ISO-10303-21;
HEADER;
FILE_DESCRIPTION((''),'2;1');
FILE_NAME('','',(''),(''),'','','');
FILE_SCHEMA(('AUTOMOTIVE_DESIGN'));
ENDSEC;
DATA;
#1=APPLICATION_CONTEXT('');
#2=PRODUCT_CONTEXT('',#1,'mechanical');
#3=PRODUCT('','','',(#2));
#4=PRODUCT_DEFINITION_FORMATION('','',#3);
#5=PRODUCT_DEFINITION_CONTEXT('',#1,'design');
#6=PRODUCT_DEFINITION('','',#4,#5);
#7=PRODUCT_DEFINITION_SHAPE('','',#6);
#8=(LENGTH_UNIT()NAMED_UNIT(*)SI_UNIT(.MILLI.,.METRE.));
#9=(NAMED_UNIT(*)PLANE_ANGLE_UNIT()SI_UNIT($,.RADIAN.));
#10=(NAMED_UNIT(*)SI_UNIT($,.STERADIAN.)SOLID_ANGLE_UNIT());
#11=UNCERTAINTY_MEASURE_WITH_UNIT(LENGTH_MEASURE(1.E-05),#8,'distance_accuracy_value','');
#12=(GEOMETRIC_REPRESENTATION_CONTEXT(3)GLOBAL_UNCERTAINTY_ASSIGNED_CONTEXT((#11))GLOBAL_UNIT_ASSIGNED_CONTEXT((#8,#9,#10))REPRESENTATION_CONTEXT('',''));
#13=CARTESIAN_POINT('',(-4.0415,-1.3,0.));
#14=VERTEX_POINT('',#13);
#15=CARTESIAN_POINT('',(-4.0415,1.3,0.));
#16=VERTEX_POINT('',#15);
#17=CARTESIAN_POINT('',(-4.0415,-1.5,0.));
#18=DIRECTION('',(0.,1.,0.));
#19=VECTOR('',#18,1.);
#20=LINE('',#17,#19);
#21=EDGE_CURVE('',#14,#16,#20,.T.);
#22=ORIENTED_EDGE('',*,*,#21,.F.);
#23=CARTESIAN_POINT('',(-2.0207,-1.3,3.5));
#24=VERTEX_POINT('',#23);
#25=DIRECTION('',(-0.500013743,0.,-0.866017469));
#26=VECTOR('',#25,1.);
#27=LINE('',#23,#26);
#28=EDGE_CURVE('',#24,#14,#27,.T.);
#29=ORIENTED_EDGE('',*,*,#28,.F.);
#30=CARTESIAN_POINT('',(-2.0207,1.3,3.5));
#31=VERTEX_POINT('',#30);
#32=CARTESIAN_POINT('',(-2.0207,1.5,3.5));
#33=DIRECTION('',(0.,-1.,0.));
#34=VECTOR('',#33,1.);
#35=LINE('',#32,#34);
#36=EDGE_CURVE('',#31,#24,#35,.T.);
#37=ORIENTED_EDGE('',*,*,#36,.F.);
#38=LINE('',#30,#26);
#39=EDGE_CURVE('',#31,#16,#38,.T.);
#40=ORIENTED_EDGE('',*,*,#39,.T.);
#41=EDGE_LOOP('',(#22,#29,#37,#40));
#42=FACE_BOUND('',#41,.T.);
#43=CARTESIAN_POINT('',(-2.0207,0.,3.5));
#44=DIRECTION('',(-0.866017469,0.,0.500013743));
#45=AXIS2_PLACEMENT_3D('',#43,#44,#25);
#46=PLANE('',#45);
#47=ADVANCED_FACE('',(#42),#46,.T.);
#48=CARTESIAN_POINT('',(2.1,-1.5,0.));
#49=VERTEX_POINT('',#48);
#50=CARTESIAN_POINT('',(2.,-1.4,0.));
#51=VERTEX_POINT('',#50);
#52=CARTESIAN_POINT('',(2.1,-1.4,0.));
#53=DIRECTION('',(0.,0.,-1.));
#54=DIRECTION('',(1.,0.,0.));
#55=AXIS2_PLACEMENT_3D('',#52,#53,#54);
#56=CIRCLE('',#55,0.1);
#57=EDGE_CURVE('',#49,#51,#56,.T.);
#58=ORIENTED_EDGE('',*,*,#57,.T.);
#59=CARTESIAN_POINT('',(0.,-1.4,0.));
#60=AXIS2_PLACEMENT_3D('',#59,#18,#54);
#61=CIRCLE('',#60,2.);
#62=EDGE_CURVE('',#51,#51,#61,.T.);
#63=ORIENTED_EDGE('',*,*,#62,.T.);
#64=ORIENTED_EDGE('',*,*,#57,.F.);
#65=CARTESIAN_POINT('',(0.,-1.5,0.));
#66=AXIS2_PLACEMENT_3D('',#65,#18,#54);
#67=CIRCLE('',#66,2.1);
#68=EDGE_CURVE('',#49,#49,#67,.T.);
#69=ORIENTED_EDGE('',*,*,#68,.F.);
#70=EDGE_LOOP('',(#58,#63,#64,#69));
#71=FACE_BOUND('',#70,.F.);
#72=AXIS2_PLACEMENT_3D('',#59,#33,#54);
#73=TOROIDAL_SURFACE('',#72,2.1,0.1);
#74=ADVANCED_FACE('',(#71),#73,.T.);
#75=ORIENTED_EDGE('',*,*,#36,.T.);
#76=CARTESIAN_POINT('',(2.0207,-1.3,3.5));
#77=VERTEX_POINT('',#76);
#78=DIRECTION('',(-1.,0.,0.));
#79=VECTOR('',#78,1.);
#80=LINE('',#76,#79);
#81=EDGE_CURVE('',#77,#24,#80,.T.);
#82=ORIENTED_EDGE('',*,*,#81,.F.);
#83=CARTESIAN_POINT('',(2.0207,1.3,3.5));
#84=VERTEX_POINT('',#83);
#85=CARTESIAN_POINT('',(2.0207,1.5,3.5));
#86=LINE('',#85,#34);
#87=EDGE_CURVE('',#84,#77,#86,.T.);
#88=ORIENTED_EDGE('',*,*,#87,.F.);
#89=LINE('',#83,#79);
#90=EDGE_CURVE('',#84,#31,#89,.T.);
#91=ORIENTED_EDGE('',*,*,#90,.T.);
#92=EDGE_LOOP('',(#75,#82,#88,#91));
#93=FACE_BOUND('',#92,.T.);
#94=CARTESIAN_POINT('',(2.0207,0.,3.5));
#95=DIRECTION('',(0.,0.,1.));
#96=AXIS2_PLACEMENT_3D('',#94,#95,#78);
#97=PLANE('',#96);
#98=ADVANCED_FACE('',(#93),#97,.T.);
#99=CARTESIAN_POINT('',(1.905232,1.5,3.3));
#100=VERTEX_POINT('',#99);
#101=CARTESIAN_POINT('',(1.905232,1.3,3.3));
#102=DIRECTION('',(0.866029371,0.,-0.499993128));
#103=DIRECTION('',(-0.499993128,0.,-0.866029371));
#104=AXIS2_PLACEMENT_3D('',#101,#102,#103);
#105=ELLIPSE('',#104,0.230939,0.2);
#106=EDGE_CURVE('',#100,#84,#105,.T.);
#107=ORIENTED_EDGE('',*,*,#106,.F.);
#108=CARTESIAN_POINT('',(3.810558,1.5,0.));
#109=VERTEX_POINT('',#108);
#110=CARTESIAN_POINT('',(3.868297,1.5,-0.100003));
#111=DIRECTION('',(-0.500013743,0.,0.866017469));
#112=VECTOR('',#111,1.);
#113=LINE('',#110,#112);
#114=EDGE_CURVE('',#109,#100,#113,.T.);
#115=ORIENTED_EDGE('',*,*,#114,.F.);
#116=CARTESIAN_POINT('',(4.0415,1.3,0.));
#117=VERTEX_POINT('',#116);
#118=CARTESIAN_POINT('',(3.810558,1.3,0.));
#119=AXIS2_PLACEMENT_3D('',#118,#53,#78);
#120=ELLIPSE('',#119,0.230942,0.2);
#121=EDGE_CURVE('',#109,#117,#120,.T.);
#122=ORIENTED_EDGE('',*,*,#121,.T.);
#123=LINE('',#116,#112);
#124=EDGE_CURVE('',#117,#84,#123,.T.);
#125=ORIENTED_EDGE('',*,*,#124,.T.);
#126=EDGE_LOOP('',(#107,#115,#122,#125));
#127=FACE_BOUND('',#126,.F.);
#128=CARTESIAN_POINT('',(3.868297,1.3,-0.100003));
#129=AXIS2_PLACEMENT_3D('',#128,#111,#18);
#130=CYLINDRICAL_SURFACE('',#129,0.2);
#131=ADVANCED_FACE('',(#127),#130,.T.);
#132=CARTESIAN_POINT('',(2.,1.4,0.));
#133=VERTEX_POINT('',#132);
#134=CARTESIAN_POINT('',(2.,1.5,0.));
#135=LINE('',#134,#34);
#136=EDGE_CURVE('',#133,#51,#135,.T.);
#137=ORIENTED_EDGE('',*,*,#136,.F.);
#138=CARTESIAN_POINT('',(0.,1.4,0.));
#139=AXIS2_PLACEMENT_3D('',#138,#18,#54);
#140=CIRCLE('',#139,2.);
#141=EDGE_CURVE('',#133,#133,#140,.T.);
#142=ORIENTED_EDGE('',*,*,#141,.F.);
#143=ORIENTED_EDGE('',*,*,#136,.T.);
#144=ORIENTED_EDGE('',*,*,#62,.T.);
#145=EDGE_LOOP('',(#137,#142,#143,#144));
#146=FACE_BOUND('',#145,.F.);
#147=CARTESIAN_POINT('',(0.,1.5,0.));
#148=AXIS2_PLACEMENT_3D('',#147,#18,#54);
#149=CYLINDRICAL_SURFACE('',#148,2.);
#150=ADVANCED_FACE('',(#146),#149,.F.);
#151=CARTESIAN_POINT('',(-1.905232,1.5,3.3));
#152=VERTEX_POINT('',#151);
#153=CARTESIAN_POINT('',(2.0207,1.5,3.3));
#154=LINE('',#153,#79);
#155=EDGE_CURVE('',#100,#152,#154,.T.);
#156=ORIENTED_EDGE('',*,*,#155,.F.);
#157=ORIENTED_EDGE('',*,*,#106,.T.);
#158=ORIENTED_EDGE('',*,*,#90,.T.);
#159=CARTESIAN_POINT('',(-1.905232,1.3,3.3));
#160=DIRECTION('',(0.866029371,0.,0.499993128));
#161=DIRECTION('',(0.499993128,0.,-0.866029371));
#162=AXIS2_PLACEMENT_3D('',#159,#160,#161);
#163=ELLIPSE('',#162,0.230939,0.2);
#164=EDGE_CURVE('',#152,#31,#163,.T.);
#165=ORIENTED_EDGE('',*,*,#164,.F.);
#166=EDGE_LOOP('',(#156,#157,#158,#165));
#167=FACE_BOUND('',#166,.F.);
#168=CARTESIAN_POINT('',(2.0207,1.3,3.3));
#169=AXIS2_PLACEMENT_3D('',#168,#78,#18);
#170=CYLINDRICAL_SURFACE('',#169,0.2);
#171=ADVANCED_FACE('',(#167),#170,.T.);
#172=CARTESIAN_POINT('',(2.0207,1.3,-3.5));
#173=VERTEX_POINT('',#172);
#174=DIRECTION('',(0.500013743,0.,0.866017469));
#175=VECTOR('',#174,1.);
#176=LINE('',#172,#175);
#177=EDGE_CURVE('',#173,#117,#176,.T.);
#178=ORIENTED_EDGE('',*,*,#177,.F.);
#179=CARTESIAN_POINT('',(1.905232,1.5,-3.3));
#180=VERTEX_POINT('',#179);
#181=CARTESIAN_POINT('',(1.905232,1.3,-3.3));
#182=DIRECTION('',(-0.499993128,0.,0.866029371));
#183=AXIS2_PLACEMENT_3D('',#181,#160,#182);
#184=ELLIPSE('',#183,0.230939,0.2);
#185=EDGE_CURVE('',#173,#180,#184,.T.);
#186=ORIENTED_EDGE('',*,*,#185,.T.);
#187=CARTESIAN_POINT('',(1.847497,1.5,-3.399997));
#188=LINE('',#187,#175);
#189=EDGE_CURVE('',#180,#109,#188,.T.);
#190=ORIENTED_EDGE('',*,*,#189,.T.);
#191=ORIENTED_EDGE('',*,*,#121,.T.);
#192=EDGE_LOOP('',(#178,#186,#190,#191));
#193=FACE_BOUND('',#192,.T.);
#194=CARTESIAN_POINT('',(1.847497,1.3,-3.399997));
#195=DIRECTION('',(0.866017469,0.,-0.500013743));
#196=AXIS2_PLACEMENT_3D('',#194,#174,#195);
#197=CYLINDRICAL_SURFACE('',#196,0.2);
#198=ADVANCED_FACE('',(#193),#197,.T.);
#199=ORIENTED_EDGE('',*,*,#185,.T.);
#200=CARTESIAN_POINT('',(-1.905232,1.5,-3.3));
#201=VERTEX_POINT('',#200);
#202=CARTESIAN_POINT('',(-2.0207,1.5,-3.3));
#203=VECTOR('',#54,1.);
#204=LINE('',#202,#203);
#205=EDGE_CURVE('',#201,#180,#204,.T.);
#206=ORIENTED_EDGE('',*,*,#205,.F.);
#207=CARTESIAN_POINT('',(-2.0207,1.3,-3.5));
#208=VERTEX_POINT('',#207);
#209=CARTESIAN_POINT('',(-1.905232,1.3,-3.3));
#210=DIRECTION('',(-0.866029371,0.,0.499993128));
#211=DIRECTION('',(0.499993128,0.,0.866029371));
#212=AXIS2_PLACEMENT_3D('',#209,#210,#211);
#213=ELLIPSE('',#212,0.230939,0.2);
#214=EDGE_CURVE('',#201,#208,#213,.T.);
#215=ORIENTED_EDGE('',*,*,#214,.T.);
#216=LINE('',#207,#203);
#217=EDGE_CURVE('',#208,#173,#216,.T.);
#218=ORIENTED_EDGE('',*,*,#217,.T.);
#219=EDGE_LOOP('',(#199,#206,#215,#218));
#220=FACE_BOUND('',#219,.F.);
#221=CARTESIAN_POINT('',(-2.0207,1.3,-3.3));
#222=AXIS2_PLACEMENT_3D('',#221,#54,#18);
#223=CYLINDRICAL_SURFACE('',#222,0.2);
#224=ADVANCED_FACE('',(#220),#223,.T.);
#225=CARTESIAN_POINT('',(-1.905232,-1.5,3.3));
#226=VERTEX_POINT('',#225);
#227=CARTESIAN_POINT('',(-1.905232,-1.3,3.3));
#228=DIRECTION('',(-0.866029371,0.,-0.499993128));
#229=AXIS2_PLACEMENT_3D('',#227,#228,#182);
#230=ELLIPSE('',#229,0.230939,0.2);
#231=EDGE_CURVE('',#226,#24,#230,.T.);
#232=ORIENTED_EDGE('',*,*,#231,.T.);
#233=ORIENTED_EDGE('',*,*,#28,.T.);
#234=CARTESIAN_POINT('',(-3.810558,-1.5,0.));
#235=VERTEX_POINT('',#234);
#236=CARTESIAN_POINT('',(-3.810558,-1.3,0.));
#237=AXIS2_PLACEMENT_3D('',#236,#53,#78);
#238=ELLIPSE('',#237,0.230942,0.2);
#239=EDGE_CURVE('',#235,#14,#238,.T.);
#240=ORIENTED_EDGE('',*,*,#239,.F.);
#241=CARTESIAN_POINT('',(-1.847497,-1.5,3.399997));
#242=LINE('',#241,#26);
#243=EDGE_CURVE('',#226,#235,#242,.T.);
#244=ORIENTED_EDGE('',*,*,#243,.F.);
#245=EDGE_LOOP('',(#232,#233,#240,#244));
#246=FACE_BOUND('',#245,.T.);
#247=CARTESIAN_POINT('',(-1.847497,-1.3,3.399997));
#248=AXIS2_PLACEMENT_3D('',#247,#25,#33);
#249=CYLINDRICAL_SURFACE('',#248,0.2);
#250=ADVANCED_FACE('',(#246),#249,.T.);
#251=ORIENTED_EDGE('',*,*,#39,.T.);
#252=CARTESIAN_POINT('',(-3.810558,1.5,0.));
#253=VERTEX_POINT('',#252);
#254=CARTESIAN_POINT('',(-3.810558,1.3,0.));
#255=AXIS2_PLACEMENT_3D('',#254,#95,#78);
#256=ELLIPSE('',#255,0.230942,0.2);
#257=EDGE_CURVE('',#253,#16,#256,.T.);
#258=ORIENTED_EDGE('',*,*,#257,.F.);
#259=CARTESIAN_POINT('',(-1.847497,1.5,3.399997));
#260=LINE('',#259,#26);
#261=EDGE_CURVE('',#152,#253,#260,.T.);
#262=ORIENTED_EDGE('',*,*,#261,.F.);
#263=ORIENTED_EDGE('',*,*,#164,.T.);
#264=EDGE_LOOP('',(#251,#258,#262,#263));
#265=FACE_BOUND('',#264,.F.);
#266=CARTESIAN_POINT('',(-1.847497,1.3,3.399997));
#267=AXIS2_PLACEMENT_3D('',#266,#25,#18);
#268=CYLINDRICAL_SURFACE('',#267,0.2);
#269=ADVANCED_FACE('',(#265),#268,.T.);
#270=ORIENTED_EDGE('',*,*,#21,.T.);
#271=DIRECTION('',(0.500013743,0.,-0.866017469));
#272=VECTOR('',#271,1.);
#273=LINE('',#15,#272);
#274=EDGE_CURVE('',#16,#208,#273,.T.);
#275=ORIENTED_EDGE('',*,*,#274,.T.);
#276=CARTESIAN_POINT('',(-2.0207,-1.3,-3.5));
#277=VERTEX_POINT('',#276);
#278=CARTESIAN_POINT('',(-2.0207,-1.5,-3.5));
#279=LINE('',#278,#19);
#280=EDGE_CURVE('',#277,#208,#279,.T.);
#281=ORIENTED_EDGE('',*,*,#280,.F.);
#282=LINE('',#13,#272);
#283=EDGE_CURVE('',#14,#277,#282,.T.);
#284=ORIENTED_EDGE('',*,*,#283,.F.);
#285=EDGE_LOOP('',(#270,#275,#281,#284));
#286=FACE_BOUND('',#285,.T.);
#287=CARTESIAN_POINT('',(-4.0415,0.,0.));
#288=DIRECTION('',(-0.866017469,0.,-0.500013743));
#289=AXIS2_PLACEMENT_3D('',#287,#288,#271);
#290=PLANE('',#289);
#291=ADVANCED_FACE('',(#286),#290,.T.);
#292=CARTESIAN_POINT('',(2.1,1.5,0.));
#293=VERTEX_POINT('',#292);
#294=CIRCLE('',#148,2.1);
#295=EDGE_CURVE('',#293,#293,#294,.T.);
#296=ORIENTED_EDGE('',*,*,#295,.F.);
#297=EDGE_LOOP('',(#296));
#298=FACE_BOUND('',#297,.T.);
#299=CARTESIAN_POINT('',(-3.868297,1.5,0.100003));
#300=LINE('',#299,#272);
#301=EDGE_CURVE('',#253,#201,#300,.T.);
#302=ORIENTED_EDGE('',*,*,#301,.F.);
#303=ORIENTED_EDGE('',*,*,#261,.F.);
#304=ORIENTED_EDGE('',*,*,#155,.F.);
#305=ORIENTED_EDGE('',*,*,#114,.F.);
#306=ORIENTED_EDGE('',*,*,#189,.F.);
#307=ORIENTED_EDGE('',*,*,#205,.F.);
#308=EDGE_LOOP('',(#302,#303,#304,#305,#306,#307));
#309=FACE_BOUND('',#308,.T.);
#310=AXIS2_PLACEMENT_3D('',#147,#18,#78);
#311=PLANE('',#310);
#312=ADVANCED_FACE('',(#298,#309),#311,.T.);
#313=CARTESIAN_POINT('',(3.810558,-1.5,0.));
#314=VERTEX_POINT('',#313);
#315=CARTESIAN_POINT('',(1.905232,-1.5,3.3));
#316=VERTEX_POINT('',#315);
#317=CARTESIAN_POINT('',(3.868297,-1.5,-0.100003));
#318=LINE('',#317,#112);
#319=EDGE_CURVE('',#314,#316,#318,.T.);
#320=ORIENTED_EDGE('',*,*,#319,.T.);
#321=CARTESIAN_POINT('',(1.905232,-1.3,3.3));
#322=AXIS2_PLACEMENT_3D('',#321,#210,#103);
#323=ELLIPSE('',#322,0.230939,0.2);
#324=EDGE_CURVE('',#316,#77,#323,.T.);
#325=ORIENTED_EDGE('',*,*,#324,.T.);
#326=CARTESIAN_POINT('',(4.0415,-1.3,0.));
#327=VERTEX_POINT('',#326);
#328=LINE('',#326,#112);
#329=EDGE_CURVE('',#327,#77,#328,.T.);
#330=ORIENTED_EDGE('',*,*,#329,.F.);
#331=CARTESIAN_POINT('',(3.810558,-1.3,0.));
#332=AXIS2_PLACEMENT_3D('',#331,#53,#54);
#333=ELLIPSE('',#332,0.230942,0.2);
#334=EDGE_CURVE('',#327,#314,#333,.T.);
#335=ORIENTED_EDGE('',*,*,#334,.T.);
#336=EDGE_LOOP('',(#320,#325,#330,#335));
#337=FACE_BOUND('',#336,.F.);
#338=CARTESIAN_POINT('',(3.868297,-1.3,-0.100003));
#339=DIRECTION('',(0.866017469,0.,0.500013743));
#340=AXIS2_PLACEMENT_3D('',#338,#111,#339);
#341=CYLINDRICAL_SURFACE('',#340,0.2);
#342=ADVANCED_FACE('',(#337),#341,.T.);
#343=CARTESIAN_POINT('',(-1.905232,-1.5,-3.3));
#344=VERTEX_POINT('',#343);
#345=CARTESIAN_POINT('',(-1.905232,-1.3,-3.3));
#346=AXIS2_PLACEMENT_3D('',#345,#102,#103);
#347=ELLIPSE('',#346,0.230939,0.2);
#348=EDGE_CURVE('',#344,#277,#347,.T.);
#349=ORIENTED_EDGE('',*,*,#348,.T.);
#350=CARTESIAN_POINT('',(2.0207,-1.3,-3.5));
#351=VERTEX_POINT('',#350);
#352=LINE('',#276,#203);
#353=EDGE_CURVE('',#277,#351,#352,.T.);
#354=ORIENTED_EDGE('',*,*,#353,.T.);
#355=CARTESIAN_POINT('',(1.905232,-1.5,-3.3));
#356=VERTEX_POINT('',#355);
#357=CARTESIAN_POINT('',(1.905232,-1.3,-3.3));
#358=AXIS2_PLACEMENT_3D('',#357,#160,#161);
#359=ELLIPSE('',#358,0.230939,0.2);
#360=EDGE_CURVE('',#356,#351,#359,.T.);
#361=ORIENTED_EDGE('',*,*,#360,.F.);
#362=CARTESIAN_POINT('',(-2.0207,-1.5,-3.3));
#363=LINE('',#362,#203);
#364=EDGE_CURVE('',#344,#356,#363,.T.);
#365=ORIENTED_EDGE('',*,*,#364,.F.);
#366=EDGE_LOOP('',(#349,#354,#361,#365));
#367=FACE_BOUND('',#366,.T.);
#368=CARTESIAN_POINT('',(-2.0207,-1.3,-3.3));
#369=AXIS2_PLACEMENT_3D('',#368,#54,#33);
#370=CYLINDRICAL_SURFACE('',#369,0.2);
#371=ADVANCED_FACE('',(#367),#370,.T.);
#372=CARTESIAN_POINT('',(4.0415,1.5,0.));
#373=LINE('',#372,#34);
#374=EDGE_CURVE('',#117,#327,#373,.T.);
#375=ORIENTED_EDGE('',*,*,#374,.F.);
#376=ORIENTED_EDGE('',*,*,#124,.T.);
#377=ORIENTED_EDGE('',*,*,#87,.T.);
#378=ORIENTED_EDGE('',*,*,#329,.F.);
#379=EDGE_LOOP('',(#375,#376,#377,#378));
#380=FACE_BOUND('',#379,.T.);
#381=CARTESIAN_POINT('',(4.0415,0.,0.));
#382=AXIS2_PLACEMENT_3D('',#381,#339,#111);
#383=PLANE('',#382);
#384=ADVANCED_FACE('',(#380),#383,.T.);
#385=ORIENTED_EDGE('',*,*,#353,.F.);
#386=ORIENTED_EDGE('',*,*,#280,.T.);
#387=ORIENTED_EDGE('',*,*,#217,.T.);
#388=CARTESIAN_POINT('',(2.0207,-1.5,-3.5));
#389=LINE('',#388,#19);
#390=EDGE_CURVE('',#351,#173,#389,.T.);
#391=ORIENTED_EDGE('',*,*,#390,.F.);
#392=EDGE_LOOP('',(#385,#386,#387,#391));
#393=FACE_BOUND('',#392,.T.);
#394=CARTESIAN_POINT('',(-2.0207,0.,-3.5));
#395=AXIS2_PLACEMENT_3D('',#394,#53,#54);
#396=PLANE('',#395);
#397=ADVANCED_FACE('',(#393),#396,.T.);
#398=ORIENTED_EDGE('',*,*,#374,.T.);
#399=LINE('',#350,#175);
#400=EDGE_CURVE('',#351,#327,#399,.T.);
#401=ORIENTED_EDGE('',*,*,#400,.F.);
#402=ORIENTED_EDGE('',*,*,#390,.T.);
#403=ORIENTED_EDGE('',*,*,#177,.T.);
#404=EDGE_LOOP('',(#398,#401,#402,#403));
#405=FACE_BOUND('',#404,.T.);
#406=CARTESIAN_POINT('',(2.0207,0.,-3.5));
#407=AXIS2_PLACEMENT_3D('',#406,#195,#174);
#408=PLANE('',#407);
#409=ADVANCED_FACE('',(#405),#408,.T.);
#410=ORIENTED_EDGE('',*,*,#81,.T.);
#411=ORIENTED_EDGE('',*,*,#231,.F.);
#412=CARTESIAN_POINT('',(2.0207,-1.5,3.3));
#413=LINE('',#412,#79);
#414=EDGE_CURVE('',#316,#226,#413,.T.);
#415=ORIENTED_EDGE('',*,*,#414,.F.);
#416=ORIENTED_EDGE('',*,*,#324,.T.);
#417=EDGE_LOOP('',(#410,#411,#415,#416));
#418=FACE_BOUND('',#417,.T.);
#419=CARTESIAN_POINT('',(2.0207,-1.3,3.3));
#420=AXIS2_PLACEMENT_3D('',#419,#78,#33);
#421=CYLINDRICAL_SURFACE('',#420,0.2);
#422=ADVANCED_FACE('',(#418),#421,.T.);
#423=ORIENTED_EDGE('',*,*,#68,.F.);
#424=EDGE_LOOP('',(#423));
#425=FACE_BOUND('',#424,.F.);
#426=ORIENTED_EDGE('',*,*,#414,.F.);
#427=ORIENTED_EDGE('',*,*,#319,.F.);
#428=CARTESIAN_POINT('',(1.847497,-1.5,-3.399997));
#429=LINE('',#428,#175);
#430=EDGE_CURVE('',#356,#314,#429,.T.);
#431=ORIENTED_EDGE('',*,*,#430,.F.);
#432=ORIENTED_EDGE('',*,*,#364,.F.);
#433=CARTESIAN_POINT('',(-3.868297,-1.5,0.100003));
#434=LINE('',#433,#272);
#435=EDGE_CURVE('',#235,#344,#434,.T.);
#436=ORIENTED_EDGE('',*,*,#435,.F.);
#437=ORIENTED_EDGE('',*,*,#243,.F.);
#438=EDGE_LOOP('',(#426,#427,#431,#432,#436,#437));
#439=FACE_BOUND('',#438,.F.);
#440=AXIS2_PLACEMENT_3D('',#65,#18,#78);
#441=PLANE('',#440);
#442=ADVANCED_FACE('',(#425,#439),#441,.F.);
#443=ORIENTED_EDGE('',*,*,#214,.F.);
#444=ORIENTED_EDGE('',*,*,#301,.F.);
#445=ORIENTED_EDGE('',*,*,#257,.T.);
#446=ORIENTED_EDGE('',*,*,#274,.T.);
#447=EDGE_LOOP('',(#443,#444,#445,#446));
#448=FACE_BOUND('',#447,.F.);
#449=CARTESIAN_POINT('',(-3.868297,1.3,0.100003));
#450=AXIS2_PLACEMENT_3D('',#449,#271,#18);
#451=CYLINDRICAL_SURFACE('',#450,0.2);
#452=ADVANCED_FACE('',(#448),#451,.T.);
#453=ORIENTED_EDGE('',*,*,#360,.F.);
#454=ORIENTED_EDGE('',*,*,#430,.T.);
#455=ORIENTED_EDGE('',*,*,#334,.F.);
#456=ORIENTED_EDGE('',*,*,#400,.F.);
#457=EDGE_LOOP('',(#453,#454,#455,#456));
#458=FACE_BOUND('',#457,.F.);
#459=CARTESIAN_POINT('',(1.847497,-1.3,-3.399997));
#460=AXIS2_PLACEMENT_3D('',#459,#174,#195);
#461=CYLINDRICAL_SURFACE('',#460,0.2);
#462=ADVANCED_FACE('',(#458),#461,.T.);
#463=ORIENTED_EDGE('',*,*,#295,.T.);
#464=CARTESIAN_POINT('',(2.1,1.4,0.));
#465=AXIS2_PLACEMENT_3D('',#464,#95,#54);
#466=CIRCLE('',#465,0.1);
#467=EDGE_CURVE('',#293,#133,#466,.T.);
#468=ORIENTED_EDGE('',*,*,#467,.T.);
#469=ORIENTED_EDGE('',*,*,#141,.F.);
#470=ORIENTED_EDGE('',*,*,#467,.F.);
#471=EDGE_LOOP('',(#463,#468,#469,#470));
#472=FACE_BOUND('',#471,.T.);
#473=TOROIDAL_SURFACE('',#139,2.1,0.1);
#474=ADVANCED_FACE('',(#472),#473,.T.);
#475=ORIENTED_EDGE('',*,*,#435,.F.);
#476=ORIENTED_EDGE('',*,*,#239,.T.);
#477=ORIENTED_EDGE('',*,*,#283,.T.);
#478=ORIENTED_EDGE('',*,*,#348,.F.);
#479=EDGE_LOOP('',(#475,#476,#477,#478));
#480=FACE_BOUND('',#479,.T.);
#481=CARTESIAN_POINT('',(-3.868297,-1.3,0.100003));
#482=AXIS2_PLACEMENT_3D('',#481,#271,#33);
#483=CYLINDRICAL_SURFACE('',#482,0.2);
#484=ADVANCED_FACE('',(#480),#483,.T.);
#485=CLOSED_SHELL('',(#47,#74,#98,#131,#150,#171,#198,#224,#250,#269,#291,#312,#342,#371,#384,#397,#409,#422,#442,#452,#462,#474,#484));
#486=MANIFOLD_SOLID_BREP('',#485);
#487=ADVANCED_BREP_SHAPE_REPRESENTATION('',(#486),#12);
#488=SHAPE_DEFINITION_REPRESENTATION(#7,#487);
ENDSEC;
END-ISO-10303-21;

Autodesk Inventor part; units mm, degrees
ref_plane "YZ Plane" through (0, 0, 0) normal (1, 0, 0) x (0, 1, 0)
ref_plane "XZ Plane" through (0, 0, 0) normal (0, 1, 0) x (-1, 0, 0)
ref_plane "XY Plane" through (0, 0, 0) normal (0, 0, 1) x (1, 0, 0)
sketch "Sketch1" plane through (0, 0, 0) normal (0, 1, 0) x (-1, 0, 0)
  circle A0 centre (0, 0) radius 3.5 construction
  line L0 (-2.0207, -3.5) -> (-4.0415, 0)
  line L1 (-4.0415, 0) -> (-2.0207, 3.5)
  line L2 (-2.0207, 3.5) -> (2.0207, 3.5)
  line L3 (2.0207, 3.5) -> (4.0415, 0)
  line L4 (4.0415, 0) -> (2.0207, -3.5)
  line L5 (2.0207, -3.5) -> (-2.0207, -3.5)
  point P0 (0, -3.5)
  dimension "d0" = 7
extrude "Extrusion1" add sketch "Sketch1" along normal mid plane 3
sketch "Sketch2" plane through (0, 1.5, 0) normal (0, 1, 0) x (1, 0, 0)
  circle A0 centre (0, 0) radius 2
  dimension "d3" = 4
extrude "Extrusion2" cut sketch "Sketch2" against normal blind 3
fillet "Fillet1" radius 0.2 12 edges at (-3.0311, 1.5, 1.75) (0, 1.5, 3.5) (3.0311, 1.5, 1.75) (3.0311, 1.5, -1.75) (0, 1.5, -3.5) (-3.0311, 1.5, -1.75) (0, -1.5, 3.5) (-3.0311, -1.5, 1.75) (-3.0311, -1.5, -1.75) (0, -1.5, -3.5) (3.0311, -1.5, -1.75) (3.0311, -1.5, 1.75)
fillet "Fillet2" radius 0.1 2 edges at (-2, 1.5, 0) (-2, -1.5, 0)
thread "Thread1" size "M4x0.7" class "6H" standard "ANSI Metric M Profile" full length
properties part number "M4 Nut" material "Stainless Steel"
